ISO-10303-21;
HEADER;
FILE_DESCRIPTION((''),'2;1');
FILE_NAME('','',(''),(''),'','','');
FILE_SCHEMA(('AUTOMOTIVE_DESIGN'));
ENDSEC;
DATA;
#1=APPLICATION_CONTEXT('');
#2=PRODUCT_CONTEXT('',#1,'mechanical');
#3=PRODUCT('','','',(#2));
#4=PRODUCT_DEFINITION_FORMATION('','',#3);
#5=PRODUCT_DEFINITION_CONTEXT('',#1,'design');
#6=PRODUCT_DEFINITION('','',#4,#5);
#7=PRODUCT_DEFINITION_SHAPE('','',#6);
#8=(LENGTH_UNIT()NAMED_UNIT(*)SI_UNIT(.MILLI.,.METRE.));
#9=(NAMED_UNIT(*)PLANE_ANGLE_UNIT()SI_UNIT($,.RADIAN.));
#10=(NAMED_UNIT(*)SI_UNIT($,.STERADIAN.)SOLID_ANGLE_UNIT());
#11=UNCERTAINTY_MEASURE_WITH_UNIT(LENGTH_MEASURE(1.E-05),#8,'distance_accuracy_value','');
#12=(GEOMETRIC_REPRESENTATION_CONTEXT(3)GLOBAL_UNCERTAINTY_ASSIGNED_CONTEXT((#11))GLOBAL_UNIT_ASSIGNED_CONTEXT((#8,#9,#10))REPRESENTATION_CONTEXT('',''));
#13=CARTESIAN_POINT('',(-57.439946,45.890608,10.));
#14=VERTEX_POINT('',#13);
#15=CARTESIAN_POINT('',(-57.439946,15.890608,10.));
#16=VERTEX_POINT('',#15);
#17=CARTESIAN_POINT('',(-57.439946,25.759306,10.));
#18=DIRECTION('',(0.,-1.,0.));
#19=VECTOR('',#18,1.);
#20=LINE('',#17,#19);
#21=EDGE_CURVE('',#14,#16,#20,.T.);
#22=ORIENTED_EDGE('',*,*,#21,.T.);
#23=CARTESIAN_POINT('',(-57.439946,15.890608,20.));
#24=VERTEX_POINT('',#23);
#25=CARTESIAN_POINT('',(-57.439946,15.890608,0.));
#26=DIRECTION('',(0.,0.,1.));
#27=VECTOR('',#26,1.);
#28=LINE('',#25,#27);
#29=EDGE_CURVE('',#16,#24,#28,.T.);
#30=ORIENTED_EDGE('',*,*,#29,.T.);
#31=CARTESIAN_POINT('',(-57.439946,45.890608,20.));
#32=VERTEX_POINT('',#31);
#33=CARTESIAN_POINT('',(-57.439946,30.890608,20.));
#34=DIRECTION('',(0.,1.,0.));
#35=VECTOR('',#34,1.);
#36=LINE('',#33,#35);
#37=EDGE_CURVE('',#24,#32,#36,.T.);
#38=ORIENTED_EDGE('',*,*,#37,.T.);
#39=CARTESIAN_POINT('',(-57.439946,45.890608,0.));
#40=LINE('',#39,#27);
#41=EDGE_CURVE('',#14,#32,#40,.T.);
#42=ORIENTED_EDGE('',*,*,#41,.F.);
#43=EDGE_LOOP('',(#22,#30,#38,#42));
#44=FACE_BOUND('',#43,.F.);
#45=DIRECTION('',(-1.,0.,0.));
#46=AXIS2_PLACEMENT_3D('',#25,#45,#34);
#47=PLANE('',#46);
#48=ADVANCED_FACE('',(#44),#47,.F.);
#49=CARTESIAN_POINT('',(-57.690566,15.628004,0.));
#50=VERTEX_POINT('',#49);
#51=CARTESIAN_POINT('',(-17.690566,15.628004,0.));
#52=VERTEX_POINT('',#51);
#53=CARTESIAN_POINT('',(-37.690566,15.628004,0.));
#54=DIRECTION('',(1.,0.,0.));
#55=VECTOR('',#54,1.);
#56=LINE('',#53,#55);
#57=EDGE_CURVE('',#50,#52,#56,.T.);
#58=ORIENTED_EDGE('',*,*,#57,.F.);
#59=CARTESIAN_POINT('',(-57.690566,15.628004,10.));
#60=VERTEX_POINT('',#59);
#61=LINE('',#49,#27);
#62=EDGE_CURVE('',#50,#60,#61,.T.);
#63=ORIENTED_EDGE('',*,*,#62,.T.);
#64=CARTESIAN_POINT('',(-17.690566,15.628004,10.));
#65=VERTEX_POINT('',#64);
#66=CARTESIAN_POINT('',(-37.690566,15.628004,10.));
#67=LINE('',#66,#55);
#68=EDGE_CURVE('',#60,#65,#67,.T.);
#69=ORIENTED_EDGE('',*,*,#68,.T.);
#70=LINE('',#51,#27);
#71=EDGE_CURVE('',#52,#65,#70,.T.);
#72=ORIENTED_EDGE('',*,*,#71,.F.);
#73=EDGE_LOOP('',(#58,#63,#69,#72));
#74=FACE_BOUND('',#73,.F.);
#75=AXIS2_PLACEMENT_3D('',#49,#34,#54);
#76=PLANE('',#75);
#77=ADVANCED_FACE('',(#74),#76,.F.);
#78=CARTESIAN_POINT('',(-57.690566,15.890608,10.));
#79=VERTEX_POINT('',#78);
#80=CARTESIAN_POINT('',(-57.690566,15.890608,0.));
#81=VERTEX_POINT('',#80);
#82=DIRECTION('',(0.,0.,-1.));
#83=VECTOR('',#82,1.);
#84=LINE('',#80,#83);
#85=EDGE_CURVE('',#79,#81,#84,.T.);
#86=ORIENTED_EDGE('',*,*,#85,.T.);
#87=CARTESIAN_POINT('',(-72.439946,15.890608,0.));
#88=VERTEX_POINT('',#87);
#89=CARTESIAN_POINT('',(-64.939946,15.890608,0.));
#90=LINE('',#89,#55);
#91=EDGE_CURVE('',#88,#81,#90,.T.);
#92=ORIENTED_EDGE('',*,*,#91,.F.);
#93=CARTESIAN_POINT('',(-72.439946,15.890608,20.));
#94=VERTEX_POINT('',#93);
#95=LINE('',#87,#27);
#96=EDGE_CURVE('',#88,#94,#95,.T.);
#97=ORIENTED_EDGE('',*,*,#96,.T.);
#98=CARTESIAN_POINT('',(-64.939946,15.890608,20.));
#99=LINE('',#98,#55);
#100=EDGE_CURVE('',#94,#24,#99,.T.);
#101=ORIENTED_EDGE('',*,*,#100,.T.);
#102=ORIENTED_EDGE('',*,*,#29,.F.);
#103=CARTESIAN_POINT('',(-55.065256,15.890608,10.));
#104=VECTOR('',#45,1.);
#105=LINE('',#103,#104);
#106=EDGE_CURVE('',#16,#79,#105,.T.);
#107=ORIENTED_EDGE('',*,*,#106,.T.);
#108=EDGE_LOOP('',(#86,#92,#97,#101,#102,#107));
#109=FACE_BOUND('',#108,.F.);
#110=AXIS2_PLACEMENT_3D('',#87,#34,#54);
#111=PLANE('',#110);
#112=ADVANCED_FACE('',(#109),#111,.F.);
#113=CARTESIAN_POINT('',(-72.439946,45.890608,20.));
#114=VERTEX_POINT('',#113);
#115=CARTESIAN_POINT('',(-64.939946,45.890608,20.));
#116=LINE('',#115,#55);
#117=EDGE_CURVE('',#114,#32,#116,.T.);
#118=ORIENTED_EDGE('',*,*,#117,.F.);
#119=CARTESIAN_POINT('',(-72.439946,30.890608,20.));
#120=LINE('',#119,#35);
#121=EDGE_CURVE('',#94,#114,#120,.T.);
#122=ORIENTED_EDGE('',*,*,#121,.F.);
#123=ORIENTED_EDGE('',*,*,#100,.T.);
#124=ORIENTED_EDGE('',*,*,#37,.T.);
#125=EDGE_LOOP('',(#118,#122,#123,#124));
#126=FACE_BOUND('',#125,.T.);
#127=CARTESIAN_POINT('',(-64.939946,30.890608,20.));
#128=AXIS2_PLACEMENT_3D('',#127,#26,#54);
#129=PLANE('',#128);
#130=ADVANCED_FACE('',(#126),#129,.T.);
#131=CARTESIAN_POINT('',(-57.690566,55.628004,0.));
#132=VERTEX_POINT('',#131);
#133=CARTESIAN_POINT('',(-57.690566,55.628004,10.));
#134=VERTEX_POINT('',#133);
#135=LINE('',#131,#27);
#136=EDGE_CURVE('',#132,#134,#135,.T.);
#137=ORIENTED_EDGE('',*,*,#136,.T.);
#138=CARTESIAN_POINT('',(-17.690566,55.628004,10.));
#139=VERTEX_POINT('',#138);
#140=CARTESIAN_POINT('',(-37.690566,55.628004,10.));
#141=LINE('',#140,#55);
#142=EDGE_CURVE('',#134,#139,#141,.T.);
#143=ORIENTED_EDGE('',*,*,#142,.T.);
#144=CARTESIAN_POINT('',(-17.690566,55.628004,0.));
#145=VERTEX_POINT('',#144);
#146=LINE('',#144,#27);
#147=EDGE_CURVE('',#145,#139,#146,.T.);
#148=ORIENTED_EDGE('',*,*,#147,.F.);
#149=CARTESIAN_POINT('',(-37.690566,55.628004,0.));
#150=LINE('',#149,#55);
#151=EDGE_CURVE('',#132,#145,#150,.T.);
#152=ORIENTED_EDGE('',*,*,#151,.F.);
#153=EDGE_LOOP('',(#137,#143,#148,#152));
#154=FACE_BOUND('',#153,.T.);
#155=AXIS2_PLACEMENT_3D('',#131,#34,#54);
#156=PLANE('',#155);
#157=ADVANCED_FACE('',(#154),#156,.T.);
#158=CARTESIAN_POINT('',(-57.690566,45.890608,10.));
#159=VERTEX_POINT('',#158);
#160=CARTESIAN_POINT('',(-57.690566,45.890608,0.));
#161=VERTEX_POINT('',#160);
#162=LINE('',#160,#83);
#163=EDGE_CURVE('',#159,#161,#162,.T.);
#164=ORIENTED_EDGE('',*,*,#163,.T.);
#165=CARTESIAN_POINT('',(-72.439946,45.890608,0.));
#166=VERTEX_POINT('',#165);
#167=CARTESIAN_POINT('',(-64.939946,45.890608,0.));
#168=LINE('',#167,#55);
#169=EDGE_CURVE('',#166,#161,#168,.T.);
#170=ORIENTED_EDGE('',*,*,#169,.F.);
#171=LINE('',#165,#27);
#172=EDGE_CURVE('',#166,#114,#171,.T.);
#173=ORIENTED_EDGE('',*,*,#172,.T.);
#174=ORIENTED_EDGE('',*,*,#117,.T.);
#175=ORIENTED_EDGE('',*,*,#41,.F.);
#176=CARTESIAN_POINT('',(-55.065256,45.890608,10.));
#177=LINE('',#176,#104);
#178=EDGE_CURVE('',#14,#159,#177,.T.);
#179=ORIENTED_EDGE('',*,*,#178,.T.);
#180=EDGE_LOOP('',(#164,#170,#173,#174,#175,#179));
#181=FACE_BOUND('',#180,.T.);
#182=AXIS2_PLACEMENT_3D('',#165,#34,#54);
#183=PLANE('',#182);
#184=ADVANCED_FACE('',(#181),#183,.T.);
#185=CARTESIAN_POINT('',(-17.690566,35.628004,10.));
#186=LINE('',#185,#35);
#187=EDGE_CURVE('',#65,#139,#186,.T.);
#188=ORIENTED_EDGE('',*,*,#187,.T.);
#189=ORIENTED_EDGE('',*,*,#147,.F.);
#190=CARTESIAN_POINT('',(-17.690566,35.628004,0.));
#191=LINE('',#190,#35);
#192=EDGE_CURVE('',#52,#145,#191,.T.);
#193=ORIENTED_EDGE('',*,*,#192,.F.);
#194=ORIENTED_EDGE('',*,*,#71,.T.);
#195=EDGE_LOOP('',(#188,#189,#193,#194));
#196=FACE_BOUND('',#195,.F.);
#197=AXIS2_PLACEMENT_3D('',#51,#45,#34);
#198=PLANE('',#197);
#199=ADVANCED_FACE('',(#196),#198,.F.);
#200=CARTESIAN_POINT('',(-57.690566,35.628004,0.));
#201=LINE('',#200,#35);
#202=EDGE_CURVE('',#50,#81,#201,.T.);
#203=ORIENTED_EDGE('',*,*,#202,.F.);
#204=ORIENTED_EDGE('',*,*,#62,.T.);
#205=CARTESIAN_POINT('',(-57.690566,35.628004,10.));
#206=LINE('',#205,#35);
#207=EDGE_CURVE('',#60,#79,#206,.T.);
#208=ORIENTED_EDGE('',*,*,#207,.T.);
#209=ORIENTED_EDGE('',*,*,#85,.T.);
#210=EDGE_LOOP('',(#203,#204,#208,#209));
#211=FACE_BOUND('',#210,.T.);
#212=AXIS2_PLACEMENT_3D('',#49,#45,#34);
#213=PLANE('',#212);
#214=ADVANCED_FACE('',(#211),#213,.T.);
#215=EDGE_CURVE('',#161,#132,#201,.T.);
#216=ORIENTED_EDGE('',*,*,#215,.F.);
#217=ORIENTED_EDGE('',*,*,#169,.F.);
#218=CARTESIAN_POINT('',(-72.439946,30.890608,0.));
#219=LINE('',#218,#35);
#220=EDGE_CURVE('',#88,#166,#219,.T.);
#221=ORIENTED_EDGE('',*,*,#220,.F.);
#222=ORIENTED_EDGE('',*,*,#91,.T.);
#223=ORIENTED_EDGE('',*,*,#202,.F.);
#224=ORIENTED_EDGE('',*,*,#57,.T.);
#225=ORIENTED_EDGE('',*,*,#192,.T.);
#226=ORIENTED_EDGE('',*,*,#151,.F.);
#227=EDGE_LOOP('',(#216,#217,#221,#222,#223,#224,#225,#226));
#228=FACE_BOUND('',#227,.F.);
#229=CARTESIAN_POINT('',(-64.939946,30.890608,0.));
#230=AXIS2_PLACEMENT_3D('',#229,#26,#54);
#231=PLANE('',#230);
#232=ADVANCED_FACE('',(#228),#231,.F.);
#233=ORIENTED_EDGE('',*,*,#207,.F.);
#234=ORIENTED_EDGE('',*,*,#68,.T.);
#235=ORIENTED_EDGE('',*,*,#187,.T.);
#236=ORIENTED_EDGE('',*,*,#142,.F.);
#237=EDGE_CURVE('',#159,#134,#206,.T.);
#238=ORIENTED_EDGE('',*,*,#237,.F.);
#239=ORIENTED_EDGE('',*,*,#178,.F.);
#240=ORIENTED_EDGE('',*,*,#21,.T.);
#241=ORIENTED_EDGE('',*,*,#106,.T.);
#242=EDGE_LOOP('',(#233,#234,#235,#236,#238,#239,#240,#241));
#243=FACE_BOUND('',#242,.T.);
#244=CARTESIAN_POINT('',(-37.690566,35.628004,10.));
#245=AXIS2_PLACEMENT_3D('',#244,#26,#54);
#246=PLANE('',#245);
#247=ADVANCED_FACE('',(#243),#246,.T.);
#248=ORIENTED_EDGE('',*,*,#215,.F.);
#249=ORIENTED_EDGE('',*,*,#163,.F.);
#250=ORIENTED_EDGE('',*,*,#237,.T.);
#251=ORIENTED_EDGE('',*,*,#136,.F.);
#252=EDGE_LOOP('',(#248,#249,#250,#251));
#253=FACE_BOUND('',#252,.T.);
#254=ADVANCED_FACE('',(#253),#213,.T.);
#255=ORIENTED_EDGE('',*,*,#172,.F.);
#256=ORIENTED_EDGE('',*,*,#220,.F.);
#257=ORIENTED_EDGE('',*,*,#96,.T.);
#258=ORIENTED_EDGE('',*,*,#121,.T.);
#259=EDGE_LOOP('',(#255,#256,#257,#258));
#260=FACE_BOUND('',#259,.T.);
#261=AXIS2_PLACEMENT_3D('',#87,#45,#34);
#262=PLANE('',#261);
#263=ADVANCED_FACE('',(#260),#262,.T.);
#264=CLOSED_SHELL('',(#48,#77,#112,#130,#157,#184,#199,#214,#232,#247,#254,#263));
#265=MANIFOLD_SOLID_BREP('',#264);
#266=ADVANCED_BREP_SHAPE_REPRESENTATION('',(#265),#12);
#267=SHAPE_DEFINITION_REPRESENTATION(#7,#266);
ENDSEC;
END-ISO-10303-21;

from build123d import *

# Parameters (mm, degrees)
F0_W     = 40
F0_H     = 40
F1_DEPTH = 10
F2_W     = 15
F2_H     = 30
F3_DEPTH = 20


with BuildPart() as f1:
    # F0 (on Top) → F1 (new body)
    with BuildSketch(Plane.XY):
        with Locations((-37.6905664057, 35.6280044466)):
            Rectangle(F0_W, F0_H)
    extrude(amount=F1_DEPTH)

    # F2 (on Top) → F3 (join)
    with BuildSketch(Plane.XY):
        with Locations((-64.9399459362, 30.8906082064)):
            Rectangle(F2_W, F2_H)
    extrude(amount=F3_DEPTH)


solid = f1.part
